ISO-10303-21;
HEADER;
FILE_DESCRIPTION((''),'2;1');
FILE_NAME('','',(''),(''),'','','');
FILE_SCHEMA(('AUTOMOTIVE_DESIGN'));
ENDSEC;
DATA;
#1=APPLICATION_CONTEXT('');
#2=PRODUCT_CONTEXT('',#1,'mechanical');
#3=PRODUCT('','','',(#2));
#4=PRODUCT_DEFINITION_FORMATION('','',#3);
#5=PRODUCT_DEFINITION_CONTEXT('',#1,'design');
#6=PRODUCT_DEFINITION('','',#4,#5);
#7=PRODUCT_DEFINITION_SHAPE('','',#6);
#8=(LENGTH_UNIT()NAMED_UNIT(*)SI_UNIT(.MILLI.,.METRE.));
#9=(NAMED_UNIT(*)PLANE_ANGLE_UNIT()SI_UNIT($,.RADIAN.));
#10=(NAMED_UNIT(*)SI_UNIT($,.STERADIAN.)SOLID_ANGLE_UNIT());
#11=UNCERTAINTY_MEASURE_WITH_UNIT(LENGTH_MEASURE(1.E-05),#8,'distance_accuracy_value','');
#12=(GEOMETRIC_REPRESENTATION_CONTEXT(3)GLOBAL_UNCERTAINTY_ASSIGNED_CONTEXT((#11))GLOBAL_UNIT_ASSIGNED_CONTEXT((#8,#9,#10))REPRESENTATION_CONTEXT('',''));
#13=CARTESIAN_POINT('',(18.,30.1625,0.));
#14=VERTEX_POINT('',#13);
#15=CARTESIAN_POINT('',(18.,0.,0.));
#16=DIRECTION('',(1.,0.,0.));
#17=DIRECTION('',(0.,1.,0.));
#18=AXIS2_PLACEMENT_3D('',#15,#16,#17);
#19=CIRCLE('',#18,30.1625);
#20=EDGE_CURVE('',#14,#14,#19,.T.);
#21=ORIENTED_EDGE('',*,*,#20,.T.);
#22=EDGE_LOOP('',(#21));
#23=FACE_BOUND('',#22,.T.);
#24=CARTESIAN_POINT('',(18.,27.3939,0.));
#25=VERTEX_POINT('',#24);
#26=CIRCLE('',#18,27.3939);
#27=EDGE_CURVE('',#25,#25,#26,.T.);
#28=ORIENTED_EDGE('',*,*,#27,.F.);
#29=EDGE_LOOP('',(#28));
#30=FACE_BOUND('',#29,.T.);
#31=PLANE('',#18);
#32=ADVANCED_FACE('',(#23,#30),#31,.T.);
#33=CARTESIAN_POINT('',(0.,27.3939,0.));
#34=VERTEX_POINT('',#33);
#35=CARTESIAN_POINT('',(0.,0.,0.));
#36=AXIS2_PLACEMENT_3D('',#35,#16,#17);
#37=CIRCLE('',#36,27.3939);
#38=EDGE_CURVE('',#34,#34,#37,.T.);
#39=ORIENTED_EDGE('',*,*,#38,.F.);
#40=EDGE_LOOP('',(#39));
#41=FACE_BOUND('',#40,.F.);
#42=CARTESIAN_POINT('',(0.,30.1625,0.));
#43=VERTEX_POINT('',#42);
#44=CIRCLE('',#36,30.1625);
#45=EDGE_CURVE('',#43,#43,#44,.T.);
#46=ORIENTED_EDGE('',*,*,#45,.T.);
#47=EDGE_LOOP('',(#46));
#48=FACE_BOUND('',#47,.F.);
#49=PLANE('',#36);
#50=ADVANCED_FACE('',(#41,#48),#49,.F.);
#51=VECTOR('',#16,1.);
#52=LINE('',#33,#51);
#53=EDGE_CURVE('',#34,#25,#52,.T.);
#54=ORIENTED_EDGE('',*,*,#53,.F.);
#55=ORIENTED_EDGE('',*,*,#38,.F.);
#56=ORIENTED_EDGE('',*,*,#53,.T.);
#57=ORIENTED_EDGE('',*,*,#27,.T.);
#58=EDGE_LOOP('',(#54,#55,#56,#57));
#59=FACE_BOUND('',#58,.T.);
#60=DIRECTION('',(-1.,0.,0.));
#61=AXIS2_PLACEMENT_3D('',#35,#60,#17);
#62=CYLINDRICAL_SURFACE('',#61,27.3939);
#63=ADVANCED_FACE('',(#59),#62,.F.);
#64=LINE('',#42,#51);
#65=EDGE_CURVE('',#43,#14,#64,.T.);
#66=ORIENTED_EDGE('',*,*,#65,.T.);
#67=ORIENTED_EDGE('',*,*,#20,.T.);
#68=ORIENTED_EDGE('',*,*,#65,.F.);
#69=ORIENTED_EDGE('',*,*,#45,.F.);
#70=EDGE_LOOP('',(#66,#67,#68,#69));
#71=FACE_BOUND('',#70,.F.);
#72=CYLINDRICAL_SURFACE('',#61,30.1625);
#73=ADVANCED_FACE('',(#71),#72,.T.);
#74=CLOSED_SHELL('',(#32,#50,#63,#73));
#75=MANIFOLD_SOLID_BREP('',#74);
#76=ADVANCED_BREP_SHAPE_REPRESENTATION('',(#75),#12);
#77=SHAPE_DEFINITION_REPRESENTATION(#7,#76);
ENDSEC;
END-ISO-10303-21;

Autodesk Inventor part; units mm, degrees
ref_plane "YZ Plane" through (0, 0, 0) normal (1, 0, 0) x (0, 1, 0)
ref_plane "XZ Plane" through (0, 0, 0) normal (0, 1, 0) x (-1, 0, 0)
ref_plane "XY Plane" through (0, 0, 0) normal (0, 0, 1) x (1, 0, 0)
sketch "Sketch1" plane through (0, 0, 0) normal (1, 0, 0) x (0, 1, 0)
  circle A0 centre (0, 0) radius 30.1625
  circle A1 centre (0, 0) radius 27.3939
  dimension "d0" = 60.325
  dimension "d1" = 2.7686
extrude "Extrusion1" add sketch "Sketch1" along normal blind 18
equation "\"d0\" = OD"
equation "\"d1\" = t"
equation "\"d2\" = L"
equation "\"OD\" = 60.325"
equation "\"t\" = 2.7686"
equation "\"L\" = EPL"
equation "\"ID\" = 54.7878"
equation "\"EPL\" = PL + GD"
equation "\"Size_Designation\" = 1.2345"
equation "\"OPL\" = 18.4"
equation "\"GD\" = 0"
equation "\"PL\" = 18"
properties material "Stainless Steel"
